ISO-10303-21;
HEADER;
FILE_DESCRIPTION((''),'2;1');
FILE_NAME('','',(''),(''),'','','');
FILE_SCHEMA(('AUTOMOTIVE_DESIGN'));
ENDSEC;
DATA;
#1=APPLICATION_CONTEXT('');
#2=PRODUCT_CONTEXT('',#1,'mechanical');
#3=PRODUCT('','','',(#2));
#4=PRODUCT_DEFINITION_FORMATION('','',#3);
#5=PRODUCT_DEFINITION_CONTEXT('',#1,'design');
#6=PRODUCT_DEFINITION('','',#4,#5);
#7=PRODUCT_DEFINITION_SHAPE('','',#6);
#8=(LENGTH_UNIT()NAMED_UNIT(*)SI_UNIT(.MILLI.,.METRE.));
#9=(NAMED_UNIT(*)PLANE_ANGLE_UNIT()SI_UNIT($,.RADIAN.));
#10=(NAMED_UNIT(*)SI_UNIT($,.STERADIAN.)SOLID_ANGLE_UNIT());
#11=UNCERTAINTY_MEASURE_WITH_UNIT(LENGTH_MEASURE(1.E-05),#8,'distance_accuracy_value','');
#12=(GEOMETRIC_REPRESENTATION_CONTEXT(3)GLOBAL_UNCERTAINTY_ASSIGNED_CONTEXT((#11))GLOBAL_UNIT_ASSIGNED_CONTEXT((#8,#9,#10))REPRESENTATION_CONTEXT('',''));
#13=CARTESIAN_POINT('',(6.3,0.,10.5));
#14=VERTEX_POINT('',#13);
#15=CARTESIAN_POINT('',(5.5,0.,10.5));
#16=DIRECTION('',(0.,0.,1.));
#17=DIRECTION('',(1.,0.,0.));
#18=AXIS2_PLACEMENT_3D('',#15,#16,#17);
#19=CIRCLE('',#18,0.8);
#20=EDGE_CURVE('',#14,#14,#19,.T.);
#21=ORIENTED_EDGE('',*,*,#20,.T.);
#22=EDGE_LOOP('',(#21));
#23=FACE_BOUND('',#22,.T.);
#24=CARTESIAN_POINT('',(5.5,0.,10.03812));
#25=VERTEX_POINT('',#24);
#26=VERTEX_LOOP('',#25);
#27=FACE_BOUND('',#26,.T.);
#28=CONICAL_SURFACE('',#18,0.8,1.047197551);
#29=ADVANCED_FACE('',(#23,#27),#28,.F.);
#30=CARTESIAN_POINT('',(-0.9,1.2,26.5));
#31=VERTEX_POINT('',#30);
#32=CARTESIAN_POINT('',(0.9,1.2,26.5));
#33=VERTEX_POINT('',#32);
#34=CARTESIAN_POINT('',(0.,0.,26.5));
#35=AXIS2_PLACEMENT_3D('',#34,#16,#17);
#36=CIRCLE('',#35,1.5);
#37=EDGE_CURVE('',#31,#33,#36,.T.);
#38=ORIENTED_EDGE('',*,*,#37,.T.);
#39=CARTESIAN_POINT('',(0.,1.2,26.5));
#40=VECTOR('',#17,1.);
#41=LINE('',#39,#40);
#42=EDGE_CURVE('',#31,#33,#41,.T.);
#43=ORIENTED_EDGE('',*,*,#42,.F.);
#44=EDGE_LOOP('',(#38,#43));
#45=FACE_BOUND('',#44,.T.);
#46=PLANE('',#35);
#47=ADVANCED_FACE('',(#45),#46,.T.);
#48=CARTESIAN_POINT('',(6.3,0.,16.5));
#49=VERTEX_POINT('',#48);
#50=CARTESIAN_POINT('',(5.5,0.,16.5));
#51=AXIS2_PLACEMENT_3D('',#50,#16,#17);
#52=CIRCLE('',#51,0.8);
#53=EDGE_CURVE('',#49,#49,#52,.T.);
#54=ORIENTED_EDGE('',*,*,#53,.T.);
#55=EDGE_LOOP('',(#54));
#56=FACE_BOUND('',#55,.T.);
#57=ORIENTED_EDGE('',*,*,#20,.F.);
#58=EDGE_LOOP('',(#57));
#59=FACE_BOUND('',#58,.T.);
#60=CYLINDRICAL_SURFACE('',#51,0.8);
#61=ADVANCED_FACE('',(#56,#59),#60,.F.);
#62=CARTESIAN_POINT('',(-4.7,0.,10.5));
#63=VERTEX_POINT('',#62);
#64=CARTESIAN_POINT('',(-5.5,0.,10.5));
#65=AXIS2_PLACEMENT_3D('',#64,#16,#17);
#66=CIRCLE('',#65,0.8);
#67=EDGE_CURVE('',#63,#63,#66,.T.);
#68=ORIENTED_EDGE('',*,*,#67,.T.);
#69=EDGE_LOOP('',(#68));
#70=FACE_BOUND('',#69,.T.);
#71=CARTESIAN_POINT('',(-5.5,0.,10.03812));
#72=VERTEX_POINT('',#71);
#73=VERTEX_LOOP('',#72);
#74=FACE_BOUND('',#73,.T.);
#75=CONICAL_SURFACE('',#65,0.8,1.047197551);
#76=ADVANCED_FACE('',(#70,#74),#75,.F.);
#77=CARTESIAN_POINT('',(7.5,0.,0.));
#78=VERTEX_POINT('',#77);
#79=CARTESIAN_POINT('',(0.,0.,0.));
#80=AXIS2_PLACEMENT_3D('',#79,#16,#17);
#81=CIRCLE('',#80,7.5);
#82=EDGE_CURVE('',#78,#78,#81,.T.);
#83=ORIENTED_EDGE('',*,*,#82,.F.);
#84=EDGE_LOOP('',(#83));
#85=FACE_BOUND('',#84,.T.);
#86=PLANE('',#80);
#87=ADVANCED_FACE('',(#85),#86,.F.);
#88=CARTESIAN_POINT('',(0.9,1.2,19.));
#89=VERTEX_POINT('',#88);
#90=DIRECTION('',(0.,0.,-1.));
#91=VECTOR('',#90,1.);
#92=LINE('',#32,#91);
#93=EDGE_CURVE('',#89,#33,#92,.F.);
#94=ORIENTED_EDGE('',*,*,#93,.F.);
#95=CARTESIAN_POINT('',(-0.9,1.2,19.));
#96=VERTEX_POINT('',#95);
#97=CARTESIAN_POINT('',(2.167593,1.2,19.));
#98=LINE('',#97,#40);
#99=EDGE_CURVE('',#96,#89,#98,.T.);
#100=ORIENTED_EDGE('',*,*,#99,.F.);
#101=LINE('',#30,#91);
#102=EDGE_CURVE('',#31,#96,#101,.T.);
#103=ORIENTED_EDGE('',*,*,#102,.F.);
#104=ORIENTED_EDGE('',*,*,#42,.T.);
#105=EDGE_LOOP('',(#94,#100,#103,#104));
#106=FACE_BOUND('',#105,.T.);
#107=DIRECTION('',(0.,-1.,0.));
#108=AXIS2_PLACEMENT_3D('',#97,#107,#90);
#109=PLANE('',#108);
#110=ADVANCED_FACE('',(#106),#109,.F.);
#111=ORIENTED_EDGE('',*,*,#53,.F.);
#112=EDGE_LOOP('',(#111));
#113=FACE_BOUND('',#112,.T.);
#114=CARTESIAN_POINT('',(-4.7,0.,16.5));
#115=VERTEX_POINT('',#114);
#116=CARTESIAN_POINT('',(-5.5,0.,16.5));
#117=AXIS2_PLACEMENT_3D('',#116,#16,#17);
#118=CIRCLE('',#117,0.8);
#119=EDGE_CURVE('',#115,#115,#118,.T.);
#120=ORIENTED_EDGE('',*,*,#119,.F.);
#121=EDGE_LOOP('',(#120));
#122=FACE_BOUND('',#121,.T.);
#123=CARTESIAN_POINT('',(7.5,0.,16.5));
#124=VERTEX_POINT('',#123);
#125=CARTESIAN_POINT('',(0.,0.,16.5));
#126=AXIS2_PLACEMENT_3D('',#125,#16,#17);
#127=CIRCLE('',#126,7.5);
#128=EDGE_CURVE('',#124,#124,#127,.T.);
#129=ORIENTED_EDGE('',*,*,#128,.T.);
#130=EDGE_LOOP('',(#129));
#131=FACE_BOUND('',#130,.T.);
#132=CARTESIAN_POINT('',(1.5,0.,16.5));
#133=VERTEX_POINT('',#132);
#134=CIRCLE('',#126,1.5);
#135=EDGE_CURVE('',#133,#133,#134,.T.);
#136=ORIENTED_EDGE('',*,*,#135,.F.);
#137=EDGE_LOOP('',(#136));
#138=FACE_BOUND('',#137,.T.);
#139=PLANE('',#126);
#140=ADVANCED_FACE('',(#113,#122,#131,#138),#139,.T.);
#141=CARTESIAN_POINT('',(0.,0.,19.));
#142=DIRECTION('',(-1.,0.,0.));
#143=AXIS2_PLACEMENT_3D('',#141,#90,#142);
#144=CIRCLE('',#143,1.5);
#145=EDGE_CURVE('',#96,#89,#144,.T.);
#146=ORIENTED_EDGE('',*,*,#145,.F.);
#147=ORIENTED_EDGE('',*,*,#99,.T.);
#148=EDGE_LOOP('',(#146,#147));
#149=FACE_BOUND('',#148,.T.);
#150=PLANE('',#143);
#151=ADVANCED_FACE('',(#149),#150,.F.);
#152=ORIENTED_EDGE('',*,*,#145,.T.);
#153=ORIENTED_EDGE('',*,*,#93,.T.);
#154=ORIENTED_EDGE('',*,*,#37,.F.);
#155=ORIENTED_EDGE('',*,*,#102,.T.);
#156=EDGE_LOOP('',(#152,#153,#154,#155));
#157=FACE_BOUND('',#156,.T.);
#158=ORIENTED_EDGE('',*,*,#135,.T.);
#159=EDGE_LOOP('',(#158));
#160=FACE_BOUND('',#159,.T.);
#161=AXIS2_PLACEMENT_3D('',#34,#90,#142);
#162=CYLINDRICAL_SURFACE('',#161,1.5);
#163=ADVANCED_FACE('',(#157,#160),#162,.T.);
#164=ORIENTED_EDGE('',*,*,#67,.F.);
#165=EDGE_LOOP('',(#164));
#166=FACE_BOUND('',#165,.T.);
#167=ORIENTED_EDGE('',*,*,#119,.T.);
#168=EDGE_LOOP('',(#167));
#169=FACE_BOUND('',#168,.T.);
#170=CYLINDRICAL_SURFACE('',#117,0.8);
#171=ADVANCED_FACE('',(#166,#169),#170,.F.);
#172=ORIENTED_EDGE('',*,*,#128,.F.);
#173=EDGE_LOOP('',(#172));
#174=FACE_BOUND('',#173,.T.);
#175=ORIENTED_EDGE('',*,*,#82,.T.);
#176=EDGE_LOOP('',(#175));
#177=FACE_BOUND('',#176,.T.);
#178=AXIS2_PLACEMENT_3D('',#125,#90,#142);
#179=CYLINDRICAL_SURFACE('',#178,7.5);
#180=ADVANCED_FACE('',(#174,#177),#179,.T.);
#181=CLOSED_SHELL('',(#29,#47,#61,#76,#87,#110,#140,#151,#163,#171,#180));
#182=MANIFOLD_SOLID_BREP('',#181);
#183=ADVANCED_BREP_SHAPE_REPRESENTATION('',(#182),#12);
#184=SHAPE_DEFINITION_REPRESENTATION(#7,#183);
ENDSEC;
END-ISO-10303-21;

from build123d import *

# Parameters (mm, degrees)
SKETCH_1_R             = 7.5
EXTRUDE_1_DEPTH        = 16.5
SKETCH_2_R             = 1.5
EXTRUDE_2_DEPTH        = 10
SKETCH_3_W             = 3.798806197
SKETCH_3_H             = 0.511244187
CUT_EXTRUDE_1_DEPTH    = 7.5
HOLE_WIZARD_M2_1_D     = 1.6
HOLE_WIZARD_M2_1_DEPTH = 6
HOLE_WIZARD_M2_1_TIP   = 0.461880215


with BuildPart() as part:
    # 草图1 → 凸台-拉伸1 (new body)
    with BuildSketch(Plane.XY):
        Circle(SKETCH_1_R)
    extrude(amount=EXTRUDE_1_DEPTH)

    # 草图2 → 凸台-拉伸2 (add)
    with BuildSketch(Plane.XY.offset(16.5)):
        Circle(SKETCH_2_R)
    extrude(amount=EXTRUDE_2_DEPTH)

    # 草图3 → 切除-拉伸1 (cut)
    with BuildSketch(Plane.XY.offset(26.5)):
        with Locations((0.268189439, 1.455622094)):
            Rectangle(SKETCH_3_W, SKETCH_3_H)
    extrude(amount=-CUT_EXTRUDE_1_DEPTH, mode=Mode.SUBTRACT)

    # M2 螺纹孔1
    with Locations(Plane(origin=(5.5, 0, 16.5), x_dir=(1, 0, 0), z_dir=(0, 0, 1))):
        with Locations((0, 0), (-11, 0)):
            Hole(HOLE_WIZARD_M2_1_D / 2, depth=HOLE_WIZARD_M2_1_DEPTH)
            with Locations((0, 0, -(HOLE_WIZARD_M2_1_DEPTH + HOLE_WIZARD_M2_1_TIP / 2))):  # 120° drill point
                Cone(0, HOLE_WIZARD_M2_1_D / 2, HOLE_WIZARD_M2_1_TIP, mode=Mode.SUBTRACT)


solid = part.part
